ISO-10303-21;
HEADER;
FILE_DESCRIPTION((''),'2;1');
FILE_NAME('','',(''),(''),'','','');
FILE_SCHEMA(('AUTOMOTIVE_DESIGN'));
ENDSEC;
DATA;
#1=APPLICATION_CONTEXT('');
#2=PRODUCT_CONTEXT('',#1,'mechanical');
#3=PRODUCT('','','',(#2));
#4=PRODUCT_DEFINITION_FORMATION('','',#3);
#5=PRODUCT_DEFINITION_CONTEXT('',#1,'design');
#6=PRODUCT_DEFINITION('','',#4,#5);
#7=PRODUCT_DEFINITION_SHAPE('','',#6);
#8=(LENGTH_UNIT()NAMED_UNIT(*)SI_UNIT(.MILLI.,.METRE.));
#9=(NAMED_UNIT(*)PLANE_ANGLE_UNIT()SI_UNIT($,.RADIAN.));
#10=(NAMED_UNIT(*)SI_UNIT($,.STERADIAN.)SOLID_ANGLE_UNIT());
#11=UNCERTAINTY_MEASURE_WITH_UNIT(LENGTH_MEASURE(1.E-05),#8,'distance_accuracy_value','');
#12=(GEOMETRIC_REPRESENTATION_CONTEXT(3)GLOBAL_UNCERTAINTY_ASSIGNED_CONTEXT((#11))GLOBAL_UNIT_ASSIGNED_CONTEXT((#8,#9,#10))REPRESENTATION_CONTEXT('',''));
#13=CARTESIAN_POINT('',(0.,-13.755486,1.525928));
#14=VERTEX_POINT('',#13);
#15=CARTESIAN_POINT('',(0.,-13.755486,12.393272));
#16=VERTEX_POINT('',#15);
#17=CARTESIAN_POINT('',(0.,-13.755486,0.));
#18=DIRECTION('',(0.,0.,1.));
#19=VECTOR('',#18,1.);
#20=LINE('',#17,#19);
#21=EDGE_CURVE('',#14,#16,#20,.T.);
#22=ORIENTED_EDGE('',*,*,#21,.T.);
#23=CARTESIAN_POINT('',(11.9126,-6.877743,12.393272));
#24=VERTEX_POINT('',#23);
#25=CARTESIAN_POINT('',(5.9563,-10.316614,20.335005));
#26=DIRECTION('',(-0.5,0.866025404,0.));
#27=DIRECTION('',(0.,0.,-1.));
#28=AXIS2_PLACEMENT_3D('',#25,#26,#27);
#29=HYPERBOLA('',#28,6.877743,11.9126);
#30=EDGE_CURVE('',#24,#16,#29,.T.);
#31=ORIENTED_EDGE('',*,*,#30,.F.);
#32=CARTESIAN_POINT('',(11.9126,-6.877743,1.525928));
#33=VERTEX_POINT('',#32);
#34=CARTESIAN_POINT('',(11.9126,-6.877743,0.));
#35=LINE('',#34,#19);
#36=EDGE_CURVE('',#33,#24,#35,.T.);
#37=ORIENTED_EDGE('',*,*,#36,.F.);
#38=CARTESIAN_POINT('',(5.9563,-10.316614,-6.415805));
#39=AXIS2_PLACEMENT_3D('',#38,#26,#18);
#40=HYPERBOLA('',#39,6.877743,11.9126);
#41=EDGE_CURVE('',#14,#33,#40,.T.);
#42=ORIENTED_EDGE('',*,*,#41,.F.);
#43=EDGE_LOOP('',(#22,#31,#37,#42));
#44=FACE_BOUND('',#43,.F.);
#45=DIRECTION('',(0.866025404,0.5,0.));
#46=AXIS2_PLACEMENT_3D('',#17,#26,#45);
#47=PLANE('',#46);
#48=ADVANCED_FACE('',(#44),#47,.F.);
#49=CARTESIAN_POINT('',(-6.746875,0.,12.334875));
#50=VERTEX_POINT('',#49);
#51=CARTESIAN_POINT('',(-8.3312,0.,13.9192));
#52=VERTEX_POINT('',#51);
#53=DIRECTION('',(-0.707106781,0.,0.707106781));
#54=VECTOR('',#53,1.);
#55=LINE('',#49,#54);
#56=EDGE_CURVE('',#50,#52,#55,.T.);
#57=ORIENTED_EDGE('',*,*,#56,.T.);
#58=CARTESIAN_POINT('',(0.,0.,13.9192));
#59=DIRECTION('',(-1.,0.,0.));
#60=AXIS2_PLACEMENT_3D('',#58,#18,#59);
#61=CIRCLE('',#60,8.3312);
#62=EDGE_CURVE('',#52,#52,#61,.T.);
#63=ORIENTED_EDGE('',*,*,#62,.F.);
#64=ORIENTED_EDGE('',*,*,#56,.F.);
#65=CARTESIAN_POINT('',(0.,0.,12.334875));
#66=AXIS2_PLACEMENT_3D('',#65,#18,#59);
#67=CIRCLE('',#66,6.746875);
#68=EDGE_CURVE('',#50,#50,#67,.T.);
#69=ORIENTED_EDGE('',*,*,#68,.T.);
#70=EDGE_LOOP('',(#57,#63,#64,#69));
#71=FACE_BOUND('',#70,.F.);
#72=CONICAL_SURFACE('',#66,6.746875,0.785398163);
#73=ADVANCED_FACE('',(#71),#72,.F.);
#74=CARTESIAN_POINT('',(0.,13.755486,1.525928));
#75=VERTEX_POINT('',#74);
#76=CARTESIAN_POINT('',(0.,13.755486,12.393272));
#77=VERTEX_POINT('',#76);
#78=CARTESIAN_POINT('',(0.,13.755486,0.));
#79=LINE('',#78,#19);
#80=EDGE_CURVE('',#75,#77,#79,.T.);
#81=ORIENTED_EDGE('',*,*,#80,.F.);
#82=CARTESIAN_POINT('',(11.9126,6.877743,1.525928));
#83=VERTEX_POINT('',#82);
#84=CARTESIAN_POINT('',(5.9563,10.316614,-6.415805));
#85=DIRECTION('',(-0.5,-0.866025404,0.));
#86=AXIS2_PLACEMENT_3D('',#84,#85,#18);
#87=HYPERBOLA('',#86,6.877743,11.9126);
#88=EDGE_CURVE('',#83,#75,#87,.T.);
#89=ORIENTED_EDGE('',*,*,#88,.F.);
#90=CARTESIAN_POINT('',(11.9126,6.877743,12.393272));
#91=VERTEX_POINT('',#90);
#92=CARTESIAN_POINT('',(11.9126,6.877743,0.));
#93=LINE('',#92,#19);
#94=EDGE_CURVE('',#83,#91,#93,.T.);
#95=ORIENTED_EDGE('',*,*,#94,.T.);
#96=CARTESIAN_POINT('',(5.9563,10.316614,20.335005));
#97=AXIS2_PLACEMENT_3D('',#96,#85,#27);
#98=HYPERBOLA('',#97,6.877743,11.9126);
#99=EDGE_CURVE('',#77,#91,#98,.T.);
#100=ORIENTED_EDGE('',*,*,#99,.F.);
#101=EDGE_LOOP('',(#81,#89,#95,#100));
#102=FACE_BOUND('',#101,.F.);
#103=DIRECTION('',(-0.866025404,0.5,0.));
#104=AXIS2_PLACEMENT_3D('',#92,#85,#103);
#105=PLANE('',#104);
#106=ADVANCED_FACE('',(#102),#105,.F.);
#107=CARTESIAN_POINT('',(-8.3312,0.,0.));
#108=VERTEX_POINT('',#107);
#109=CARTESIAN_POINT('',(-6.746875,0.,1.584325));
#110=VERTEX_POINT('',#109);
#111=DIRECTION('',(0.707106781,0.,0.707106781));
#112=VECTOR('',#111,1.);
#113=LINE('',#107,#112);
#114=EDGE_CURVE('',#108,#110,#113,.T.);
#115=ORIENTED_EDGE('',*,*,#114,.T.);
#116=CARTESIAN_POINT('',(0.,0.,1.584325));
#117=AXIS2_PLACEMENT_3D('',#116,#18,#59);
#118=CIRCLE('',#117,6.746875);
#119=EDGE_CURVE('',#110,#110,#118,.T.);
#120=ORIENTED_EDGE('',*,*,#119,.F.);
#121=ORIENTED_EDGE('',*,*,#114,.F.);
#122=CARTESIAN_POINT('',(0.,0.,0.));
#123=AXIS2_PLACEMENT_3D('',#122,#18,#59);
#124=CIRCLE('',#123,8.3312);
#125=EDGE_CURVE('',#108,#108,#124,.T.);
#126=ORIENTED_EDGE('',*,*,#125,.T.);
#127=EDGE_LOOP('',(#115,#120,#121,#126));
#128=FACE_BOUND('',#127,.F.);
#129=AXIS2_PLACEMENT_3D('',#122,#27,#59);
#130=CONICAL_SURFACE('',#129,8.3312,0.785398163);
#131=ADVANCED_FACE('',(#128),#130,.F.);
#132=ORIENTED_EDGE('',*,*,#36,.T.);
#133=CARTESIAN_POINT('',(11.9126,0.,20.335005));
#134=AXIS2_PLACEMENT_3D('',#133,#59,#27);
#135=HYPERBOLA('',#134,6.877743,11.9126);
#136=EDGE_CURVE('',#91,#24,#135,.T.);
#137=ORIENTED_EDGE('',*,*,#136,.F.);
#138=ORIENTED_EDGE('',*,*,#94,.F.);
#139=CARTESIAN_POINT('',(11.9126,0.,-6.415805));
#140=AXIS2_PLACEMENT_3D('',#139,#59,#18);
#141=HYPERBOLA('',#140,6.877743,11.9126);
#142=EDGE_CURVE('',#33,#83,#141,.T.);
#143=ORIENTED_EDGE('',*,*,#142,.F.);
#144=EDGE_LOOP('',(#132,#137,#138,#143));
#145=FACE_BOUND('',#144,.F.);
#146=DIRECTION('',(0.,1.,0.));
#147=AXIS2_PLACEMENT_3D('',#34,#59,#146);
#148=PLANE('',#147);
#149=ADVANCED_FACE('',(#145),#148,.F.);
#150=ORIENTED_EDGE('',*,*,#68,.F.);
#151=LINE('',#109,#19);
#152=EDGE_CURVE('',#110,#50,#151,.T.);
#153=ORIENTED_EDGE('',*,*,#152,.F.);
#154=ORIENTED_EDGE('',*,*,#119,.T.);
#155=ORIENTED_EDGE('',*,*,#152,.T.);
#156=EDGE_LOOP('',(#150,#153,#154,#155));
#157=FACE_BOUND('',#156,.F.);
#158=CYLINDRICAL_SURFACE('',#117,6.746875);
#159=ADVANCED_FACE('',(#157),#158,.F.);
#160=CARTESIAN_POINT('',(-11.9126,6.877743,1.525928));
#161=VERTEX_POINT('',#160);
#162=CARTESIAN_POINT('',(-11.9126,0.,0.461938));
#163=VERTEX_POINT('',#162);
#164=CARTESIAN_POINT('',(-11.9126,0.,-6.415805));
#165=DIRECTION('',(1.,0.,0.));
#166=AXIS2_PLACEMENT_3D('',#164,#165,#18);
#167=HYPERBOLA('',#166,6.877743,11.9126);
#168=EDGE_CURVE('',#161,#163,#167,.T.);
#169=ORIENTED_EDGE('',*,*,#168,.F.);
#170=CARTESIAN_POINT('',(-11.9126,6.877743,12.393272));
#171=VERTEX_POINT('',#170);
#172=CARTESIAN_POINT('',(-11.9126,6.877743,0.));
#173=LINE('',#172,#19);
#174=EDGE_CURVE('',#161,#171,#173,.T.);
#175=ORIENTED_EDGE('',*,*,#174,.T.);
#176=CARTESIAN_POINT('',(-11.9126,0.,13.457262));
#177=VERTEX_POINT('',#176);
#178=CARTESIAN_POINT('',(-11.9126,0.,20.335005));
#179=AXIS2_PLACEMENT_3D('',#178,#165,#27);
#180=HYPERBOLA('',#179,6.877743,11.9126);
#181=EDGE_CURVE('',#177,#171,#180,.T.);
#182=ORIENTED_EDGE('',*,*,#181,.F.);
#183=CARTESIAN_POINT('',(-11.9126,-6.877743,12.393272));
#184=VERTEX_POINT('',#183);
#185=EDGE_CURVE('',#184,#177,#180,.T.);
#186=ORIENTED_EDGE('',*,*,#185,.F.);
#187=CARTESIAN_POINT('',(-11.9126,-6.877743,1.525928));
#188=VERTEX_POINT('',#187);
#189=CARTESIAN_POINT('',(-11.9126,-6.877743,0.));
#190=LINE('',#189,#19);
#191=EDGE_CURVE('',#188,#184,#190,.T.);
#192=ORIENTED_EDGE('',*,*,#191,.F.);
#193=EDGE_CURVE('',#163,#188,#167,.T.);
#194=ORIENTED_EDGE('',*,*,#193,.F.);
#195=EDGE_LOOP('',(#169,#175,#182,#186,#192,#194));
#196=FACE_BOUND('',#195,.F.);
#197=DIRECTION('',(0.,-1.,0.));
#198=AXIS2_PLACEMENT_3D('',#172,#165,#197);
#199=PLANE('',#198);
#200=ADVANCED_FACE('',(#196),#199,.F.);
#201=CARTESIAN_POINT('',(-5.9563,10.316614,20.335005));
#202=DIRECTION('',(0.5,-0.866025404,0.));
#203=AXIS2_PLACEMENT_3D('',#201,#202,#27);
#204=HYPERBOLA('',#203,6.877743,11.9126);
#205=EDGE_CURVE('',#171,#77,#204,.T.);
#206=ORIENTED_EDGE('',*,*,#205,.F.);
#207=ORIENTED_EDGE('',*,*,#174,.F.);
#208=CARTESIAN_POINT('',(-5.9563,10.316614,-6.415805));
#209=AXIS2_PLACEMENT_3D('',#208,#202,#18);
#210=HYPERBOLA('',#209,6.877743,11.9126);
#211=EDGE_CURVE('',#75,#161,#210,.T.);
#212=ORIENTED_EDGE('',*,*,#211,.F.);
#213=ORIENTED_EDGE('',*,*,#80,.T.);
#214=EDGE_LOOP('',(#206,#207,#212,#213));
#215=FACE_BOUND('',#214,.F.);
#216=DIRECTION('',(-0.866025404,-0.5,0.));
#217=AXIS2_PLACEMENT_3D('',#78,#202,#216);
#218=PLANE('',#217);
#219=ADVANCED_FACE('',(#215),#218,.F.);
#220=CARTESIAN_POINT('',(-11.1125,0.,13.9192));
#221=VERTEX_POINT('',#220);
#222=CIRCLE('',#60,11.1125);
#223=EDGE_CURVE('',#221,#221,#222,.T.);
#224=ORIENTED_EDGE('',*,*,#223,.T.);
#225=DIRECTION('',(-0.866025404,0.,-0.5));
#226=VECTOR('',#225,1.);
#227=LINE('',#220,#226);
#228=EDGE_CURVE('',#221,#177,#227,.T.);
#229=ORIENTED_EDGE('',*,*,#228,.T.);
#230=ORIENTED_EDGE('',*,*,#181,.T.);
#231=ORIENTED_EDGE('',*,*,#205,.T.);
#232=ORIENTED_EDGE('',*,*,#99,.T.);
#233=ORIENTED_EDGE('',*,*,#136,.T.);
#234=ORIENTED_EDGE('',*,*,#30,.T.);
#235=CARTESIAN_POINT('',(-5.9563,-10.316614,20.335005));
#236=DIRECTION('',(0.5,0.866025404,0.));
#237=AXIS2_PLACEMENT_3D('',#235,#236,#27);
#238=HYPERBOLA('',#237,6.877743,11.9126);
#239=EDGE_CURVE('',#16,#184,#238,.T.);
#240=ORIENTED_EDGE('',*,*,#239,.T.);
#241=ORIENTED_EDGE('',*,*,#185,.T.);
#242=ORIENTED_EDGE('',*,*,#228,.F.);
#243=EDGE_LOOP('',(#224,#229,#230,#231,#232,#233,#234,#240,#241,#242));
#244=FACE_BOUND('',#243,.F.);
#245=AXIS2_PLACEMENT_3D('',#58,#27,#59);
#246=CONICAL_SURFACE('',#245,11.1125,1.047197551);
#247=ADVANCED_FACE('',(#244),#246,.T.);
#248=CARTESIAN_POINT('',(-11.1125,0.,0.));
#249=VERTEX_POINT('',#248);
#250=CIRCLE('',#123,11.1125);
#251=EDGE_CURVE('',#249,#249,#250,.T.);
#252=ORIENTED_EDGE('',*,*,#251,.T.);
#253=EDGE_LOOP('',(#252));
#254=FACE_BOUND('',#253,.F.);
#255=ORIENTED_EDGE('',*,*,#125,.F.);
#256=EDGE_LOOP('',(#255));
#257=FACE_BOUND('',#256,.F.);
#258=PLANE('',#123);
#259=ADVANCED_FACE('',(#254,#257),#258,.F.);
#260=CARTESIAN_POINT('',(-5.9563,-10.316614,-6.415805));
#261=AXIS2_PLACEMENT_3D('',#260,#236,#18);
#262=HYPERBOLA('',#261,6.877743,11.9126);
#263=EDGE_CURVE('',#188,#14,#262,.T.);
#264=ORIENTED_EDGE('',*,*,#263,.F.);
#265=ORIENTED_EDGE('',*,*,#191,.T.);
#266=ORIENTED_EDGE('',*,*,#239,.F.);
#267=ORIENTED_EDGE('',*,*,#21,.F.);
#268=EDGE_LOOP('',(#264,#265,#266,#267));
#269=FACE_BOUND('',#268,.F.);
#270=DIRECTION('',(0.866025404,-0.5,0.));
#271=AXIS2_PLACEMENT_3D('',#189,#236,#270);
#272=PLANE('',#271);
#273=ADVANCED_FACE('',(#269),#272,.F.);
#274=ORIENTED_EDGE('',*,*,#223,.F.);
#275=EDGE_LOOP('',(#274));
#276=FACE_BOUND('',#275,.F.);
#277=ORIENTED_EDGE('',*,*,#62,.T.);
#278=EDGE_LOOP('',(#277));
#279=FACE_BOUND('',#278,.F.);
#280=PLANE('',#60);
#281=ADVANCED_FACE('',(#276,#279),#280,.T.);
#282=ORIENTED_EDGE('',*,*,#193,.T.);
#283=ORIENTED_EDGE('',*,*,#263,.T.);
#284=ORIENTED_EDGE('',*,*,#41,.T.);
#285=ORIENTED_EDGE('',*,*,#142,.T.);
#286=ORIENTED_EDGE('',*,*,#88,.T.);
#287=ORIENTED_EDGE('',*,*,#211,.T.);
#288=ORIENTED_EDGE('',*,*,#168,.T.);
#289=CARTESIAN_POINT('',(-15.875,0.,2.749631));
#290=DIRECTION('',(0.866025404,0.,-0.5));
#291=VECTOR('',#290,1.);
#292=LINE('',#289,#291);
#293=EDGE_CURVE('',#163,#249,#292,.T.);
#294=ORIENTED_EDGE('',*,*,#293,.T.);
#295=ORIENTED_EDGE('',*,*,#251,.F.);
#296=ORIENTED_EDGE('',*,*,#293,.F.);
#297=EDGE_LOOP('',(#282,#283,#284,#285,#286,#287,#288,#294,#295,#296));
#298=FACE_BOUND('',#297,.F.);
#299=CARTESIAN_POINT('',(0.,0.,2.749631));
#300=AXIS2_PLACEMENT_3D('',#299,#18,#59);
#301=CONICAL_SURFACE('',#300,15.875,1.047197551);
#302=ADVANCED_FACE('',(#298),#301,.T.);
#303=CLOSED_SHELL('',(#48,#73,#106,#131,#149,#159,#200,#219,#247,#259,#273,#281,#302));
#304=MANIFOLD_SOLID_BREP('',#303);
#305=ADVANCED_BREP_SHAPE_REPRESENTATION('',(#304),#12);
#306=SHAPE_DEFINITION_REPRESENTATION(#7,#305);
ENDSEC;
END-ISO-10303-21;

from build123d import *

# Parameters (mm, degrees)
SKETCH2_OUTSIDE_W  = 43.152
SKETCH2_OUTSIDE_H  = 43.152
CUT_EXTRUDE2_DEPTH = 25.4


with BuildPart() as part:
    # Sketch1 → Revolve1 (revolve)
    with BuildSketch(Plane(origin=(0, 0, 0), x_dir=(0, 0, -1), z_dir=(1, 0, 0)), mode=Mode.PRIVATE) as revolve1_sk:
        Polygon((-1.584325, 6.746875), (-12.334875, 6.746875), (-13.9192, 8.3312), (-13.9192, 11.1125), (-11.169569343, 15.875), (-2.749630657, 15.875), (0, 11.1125), (0, 8.3312), align=None)
    revolve(revolve1_sk.sketch.rotate(Axis((0, 0, -10.380814409), (0, 0, 1)), 90), axis=Axis((0, 0, -10.380814409), (0, 0, 1)))

    # Sketch2 outside → Cut-Extrude2 (cut)
    with BuildSketch(Plane.XY):
        Rectangle(SKETCH2_OUTSIDE_W, SKETCH2_OUTSIDE_H)
        Polygon((0, 13.755485633), (-11.9126, 6.877742817), (-11.9126, -6.877742817), (0, -13.755485633), (11.9126, -6.877742817), (11.9126, 6.877742817), align=None, mode=Mode.SUBTRACT)
    extrude(amount=CUT_EXTRUDE2_DEPTH, mode=Mode.SUBTRACT)


solid = part.part
